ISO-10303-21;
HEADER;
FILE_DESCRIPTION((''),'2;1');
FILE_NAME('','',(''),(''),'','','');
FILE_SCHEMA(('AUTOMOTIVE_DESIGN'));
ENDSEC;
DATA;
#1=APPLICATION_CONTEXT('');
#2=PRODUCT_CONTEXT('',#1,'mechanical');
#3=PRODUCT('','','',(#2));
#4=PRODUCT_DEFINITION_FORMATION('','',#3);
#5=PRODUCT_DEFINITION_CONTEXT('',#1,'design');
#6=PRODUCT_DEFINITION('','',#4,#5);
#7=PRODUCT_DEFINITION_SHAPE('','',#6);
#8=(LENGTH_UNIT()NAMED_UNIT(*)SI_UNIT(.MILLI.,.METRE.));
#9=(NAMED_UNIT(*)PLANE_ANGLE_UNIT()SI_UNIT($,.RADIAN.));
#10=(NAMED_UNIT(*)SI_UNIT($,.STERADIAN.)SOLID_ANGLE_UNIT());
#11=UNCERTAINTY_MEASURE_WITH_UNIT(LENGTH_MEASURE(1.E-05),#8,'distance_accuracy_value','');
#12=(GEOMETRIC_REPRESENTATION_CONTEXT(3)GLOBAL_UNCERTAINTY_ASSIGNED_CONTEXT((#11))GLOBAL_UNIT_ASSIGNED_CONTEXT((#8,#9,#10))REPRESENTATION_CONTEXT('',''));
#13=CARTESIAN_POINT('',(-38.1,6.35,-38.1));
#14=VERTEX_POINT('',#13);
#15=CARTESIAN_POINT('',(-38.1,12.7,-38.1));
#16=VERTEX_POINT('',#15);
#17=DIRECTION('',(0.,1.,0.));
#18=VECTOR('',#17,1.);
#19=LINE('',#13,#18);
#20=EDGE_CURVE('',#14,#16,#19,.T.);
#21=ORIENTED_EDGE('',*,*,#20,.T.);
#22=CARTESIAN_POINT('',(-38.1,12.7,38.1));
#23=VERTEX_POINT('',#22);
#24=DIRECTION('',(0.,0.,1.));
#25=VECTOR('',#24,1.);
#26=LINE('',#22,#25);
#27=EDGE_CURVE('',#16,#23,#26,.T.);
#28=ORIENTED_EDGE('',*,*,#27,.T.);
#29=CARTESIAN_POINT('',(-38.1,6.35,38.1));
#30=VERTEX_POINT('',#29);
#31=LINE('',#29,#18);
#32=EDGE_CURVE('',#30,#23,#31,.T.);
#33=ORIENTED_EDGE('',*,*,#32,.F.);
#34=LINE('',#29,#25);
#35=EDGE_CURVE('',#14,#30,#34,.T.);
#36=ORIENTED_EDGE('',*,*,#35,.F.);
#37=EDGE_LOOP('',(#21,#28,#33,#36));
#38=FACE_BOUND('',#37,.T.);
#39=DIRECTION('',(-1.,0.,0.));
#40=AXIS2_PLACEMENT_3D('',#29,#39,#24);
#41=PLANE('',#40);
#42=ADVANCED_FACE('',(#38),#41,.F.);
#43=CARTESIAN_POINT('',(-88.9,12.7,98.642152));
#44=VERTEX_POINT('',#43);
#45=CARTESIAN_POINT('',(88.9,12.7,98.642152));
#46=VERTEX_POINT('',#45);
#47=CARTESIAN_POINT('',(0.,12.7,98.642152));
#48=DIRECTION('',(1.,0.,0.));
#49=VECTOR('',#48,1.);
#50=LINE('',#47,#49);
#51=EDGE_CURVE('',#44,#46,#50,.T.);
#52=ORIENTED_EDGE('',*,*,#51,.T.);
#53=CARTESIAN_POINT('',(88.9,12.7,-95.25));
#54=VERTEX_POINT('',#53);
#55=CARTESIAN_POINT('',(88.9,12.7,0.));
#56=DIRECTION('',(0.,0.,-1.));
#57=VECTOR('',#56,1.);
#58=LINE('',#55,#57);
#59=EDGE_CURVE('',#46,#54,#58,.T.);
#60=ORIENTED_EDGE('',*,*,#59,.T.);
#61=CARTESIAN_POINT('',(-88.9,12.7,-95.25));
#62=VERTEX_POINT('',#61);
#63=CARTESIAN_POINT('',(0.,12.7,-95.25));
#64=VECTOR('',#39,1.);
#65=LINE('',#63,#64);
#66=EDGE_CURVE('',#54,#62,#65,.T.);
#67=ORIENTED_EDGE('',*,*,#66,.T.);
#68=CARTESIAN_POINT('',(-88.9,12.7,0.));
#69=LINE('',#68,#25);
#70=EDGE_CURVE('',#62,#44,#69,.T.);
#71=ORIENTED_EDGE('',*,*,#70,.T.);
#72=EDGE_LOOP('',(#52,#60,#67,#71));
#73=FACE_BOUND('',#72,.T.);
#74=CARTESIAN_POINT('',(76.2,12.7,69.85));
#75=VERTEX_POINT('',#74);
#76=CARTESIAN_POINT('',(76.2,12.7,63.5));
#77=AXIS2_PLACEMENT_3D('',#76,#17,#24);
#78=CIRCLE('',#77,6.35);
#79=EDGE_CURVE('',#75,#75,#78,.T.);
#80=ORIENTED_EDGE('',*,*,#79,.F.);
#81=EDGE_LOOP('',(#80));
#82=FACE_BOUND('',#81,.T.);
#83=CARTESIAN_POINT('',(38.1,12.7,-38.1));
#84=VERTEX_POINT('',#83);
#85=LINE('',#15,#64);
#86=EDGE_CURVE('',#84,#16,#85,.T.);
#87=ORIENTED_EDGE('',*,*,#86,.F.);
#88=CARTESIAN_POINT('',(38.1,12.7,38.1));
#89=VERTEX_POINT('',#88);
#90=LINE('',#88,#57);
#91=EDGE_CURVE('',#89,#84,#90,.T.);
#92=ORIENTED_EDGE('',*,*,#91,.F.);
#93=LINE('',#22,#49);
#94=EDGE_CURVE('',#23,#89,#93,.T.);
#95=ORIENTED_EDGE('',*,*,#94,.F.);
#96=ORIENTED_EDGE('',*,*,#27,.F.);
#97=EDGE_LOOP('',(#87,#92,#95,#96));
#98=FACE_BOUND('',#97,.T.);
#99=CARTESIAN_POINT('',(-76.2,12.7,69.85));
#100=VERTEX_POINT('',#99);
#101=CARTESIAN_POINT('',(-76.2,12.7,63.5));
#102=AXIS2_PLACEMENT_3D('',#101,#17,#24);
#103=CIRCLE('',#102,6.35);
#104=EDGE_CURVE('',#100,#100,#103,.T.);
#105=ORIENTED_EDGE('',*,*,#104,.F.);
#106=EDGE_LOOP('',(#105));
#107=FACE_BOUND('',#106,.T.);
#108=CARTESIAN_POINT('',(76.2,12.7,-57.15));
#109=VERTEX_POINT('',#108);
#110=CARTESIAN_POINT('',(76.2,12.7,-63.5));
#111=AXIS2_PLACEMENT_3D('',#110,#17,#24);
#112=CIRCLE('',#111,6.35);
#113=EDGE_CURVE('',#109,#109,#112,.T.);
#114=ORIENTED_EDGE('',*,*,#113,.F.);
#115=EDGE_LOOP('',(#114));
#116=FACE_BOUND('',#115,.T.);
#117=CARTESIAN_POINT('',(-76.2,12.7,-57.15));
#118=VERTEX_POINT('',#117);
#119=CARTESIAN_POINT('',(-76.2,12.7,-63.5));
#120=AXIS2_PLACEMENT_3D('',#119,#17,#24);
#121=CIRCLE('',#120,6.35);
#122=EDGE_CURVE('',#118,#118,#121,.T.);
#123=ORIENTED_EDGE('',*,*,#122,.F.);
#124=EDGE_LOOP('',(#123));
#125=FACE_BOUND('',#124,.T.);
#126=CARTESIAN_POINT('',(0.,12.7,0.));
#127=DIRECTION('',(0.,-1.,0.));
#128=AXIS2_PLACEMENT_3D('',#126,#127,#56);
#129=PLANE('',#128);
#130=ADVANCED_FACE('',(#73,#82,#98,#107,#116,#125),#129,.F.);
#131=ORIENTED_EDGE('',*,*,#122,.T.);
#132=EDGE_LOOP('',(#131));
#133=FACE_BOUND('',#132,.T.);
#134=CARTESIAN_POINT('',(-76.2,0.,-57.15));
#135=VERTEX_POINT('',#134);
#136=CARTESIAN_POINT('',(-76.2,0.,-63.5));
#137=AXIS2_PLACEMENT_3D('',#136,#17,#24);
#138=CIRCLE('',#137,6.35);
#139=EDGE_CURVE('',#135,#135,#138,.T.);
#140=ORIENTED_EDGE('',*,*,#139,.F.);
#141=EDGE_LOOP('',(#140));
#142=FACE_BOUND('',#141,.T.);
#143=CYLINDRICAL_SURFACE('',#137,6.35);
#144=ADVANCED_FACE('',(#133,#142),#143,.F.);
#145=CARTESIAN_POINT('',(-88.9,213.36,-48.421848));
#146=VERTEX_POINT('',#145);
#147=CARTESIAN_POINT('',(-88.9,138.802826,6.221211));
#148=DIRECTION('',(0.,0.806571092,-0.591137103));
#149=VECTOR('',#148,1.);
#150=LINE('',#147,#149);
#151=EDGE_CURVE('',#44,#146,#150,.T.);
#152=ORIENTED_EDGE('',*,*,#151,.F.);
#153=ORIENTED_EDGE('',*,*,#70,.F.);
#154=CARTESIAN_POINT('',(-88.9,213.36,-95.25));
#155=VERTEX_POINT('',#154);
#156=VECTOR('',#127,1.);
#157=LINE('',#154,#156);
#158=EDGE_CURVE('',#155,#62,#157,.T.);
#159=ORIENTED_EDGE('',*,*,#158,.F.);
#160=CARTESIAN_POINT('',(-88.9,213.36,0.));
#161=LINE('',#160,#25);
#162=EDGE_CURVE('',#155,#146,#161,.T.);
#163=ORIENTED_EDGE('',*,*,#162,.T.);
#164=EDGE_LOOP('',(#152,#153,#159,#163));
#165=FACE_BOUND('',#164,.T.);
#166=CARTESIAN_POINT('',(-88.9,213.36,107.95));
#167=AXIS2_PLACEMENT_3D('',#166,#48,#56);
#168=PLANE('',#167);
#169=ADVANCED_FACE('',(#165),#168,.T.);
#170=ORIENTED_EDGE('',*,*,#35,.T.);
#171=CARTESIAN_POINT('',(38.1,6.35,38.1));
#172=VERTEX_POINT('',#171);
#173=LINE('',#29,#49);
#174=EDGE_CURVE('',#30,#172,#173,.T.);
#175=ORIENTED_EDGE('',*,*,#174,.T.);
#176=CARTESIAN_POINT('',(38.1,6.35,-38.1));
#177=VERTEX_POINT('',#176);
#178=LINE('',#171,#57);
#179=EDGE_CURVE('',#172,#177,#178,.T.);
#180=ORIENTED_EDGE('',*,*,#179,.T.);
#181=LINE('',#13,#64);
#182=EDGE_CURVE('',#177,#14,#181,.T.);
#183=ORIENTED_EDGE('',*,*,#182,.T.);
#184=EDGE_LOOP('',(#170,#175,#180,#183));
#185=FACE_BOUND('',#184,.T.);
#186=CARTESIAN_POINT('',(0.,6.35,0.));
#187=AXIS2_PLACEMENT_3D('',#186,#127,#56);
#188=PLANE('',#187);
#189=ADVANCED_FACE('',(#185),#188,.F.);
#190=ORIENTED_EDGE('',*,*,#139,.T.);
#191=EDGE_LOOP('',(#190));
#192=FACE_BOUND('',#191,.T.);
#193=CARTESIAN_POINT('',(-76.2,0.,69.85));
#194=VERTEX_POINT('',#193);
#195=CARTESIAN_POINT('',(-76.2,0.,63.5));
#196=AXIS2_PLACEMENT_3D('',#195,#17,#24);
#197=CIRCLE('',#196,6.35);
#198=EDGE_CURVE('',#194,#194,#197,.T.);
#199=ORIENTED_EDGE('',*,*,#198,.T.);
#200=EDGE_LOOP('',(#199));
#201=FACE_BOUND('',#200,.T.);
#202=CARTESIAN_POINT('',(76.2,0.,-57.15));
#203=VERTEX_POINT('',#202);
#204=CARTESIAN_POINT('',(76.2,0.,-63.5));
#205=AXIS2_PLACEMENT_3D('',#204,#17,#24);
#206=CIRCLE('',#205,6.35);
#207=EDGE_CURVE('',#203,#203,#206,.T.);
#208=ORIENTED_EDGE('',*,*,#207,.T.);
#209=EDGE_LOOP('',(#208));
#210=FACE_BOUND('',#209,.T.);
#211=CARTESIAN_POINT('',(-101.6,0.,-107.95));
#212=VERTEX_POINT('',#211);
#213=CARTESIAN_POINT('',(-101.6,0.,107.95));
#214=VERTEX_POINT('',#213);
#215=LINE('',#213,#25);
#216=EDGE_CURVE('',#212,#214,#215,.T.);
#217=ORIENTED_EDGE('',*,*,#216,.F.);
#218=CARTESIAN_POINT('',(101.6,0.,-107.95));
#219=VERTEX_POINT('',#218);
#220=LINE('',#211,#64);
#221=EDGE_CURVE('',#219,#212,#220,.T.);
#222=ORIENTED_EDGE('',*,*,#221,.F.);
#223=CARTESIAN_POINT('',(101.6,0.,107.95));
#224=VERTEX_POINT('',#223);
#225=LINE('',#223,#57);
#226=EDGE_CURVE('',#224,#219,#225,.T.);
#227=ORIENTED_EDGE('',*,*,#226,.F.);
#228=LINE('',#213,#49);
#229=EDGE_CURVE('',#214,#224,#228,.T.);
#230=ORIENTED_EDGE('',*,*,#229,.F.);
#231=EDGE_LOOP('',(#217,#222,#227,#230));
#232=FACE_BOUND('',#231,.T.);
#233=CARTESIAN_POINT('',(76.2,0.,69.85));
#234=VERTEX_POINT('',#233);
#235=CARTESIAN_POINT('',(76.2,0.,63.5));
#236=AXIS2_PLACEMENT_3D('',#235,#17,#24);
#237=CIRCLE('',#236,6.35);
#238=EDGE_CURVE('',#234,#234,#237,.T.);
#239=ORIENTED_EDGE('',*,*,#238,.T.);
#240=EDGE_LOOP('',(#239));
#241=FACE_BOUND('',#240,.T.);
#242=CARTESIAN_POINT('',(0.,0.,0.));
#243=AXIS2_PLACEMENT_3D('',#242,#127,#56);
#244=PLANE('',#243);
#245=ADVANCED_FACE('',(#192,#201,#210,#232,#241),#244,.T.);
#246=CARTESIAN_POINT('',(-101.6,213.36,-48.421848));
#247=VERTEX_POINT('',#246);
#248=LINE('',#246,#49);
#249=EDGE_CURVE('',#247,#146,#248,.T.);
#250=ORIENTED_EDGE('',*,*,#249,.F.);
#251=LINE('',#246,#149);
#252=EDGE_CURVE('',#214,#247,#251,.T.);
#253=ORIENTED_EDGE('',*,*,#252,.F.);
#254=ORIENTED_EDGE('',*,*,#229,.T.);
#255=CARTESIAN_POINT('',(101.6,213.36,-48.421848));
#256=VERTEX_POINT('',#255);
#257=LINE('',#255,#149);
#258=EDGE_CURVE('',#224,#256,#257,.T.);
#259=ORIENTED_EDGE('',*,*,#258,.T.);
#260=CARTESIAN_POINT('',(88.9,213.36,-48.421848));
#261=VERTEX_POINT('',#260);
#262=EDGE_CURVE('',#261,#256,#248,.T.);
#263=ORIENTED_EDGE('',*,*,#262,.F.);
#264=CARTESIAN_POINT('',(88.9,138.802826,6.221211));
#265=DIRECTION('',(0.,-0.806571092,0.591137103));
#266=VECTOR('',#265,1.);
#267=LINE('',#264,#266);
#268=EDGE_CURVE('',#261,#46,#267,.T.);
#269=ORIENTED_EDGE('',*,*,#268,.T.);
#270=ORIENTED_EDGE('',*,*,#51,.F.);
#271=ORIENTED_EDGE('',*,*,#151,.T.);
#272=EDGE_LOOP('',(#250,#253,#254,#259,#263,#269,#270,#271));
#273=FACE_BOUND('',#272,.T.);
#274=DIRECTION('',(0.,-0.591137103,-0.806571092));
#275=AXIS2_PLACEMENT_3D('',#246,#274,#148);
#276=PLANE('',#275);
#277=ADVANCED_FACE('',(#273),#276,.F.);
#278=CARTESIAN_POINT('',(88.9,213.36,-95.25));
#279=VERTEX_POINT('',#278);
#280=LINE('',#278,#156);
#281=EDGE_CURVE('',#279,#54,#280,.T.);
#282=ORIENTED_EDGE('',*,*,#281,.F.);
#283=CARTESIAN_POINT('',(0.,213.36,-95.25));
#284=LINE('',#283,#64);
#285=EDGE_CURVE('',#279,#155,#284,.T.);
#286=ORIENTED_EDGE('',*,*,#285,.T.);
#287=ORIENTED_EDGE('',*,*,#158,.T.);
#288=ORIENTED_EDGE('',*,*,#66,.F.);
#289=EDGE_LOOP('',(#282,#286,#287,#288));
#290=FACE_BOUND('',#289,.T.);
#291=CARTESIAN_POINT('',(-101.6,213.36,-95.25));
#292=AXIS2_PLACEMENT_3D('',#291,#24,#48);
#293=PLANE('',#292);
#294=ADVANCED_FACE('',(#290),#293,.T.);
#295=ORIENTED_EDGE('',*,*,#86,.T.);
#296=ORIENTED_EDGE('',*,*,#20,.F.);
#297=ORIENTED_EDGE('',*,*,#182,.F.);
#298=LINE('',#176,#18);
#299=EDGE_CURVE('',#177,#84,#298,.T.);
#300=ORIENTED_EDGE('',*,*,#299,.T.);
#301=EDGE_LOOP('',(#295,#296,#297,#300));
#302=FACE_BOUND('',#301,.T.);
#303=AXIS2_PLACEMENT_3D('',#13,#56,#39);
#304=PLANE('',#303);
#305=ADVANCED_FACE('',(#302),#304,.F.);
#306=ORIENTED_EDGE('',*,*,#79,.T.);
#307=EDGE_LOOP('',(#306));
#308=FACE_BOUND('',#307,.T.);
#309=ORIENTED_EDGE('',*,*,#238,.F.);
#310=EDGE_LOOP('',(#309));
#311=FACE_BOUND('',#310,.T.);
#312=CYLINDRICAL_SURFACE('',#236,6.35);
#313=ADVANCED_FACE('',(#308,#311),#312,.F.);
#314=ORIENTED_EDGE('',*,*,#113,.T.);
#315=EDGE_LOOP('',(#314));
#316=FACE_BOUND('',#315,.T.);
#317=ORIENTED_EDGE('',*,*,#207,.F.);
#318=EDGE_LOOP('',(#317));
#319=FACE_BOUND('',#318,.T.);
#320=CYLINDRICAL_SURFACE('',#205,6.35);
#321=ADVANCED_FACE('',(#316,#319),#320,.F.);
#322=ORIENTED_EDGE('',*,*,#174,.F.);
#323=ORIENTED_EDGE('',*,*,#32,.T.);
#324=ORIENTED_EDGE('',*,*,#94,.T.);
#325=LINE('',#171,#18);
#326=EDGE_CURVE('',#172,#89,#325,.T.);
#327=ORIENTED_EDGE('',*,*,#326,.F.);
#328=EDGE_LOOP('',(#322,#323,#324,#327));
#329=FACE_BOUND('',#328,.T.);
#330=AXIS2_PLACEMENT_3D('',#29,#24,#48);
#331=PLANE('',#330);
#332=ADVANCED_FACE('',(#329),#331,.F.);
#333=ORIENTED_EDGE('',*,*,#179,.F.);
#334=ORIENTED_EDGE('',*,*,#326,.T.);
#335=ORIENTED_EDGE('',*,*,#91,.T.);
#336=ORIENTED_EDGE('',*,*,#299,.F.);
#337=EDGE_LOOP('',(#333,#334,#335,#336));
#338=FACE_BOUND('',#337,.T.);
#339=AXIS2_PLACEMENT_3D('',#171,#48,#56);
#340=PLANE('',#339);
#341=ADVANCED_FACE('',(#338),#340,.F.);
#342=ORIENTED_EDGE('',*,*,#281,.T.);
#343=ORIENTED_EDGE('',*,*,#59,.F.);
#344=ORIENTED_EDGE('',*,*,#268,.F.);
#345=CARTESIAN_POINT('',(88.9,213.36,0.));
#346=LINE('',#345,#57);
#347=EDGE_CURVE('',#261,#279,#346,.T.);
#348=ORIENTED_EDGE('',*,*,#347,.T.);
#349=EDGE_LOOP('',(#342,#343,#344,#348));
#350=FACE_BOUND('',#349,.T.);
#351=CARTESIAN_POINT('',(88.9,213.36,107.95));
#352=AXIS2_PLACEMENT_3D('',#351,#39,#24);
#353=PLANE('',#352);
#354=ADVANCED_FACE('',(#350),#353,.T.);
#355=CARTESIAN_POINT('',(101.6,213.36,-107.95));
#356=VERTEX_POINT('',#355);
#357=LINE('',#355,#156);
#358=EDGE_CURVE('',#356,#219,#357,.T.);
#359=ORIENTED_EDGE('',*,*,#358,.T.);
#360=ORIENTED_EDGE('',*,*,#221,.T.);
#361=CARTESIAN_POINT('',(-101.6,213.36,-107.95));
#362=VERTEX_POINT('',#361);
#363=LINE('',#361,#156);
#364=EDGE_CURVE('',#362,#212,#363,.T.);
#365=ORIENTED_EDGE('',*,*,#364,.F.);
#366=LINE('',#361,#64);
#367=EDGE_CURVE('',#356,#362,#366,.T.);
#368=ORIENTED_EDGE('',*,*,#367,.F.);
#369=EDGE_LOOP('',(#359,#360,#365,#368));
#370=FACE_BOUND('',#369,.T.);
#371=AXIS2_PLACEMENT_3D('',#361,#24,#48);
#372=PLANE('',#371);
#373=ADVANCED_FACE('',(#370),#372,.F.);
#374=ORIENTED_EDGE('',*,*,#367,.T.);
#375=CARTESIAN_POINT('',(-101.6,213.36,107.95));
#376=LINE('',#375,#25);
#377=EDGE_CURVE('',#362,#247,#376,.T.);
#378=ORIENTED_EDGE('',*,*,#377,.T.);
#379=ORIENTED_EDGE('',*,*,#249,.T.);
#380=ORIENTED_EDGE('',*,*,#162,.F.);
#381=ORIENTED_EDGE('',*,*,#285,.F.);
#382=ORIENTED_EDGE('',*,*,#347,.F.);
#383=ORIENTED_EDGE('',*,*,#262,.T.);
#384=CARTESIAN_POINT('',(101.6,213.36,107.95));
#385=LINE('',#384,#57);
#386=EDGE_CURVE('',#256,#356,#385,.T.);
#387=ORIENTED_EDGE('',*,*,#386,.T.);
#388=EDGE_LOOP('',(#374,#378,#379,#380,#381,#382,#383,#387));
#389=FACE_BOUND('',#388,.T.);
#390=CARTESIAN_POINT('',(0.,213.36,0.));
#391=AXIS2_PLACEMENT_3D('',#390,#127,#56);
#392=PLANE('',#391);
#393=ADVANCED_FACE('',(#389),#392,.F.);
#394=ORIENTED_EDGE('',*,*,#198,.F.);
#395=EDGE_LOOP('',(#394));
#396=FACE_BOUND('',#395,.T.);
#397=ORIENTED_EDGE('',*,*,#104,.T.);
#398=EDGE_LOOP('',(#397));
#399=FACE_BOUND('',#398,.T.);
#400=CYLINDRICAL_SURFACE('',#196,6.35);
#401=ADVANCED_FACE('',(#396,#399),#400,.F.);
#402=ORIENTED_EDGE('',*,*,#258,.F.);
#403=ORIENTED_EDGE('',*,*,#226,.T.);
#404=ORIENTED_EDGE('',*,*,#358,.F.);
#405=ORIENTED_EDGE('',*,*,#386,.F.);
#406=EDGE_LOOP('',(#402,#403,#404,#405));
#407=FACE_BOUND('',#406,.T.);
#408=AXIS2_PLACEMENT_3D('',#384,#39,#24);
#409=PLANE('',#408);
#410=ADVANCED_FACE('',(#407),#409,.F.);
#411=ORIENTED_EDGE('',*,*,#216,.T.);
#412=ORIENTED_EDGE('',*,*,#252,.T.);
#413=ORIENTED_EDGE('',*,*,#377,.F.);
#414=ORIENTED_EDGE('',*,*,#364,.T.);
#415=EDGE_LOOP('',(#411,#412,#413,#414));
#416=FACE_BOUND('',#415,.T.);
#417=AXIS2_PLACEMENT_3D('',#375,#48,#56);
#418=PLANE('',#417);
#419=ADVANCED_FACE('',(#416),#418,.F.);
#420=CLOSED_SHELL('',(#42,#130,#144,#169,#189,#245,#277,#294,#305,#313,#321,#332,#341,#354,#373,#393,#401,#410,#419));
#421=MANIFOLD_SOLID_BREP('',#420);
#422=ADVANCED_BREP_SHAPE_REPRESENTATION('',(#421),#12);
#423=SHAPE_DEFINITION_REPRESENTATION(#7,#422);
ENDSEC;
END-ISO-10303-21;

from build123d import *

# Parameters (mm, degrees)
SKETCH1_W           = 203.2
SKETCH1_H           = 215.9
BOSS_EXTRUDE1_DEPTH = 213.36
SHELL2_T            = -12.7
SKETCH2_W           = 76.2
SKETCH2_H           = 76.2
CUT_EXTRUDE1_DEPTH  = 6.35
SKETCH3_R           = 6.35
CUT_EXTRUDE2_DEPTH  = 250.479855099
CUT_EXTRUDE3_DEPTH  = 314.792817158


with BuildPart() as part:
    # Sketch1 → Boss-Extrude1 (new body)
    with BuildSketch(Plane(origin=(0, 0, 0), x_dir=(1, 0, 0), z_dir=(0, 1, 0))):
        Rectangle(SKETCH1_W, SKETCH1_H)
    extrude(amount=BOSS_EXTRUDE1_DEPTH)

    # Shell2
    shell2_openings = [part.faces().sort_by_distance(p)[0] for p in [
        (0, 213.36, 0),
        (0, 106.68, 107.95),
    ]]
    offset(amount=SHELL2_T, openings=shell2_openings, kind=Kind.INTERSECTION)

    # Sketch2 → Cut-Extrude1 (cut)
    with BuildSketch(Plane(origin=(0, 12.7, 0), x_dir=(1, 0, 0), z_dir=(0, 1, 0))):
        Rectangle(SKETCH2_W, SKETCH2_H)
    extrude(amount=-CUT_EXTRUDE1_DEPTH, mode=Mode.SUBTRACT)

    # Sketch3 → Cut-Extrude2 (cut, through all)
    with BuildSketch(Plane(origin=(0, 12.7, 0), x_dir=(1, 0, 0), z_dir=(0, 1, 0))):
        with Locations(Location((-76.2, 63.5, 0), (0, 0, 270))):
            Circle(SKETCH3_R)
        with Locations(Location((-76.2, -63.5, 0), (0, 0, 270))):
            Circle(SKETCH3_R)
        with Locations(Location((76.2, 63.5, 0), (0, 0, 270))):
            Circle(SKETCH3_R)
        with Locations(Location((76.2, -63.5, 0), (0, 0, 270))):
            Circle(SKETCH3_R)
    extrude(amount=-CUT_EXTRUDE2_DEPTH, mode=Mode.SUBTRACT)

    # Sketch4 → Cut-Extrude3 (cut, through all)
    with BuildSketch(Plane(origin=(101.6, 0, 0), x_dir=(0, 0, -1), z_dir=(1, 0, 0))):
        Polygon((48.42184808, 213.36), (-107.95, 0), (-107.95, 213.36), align=None)
    extrude(amount=-CUT_EXTRUDE3_DEPTH, mode=Mode.SUBTRACT)


solid = part.part
